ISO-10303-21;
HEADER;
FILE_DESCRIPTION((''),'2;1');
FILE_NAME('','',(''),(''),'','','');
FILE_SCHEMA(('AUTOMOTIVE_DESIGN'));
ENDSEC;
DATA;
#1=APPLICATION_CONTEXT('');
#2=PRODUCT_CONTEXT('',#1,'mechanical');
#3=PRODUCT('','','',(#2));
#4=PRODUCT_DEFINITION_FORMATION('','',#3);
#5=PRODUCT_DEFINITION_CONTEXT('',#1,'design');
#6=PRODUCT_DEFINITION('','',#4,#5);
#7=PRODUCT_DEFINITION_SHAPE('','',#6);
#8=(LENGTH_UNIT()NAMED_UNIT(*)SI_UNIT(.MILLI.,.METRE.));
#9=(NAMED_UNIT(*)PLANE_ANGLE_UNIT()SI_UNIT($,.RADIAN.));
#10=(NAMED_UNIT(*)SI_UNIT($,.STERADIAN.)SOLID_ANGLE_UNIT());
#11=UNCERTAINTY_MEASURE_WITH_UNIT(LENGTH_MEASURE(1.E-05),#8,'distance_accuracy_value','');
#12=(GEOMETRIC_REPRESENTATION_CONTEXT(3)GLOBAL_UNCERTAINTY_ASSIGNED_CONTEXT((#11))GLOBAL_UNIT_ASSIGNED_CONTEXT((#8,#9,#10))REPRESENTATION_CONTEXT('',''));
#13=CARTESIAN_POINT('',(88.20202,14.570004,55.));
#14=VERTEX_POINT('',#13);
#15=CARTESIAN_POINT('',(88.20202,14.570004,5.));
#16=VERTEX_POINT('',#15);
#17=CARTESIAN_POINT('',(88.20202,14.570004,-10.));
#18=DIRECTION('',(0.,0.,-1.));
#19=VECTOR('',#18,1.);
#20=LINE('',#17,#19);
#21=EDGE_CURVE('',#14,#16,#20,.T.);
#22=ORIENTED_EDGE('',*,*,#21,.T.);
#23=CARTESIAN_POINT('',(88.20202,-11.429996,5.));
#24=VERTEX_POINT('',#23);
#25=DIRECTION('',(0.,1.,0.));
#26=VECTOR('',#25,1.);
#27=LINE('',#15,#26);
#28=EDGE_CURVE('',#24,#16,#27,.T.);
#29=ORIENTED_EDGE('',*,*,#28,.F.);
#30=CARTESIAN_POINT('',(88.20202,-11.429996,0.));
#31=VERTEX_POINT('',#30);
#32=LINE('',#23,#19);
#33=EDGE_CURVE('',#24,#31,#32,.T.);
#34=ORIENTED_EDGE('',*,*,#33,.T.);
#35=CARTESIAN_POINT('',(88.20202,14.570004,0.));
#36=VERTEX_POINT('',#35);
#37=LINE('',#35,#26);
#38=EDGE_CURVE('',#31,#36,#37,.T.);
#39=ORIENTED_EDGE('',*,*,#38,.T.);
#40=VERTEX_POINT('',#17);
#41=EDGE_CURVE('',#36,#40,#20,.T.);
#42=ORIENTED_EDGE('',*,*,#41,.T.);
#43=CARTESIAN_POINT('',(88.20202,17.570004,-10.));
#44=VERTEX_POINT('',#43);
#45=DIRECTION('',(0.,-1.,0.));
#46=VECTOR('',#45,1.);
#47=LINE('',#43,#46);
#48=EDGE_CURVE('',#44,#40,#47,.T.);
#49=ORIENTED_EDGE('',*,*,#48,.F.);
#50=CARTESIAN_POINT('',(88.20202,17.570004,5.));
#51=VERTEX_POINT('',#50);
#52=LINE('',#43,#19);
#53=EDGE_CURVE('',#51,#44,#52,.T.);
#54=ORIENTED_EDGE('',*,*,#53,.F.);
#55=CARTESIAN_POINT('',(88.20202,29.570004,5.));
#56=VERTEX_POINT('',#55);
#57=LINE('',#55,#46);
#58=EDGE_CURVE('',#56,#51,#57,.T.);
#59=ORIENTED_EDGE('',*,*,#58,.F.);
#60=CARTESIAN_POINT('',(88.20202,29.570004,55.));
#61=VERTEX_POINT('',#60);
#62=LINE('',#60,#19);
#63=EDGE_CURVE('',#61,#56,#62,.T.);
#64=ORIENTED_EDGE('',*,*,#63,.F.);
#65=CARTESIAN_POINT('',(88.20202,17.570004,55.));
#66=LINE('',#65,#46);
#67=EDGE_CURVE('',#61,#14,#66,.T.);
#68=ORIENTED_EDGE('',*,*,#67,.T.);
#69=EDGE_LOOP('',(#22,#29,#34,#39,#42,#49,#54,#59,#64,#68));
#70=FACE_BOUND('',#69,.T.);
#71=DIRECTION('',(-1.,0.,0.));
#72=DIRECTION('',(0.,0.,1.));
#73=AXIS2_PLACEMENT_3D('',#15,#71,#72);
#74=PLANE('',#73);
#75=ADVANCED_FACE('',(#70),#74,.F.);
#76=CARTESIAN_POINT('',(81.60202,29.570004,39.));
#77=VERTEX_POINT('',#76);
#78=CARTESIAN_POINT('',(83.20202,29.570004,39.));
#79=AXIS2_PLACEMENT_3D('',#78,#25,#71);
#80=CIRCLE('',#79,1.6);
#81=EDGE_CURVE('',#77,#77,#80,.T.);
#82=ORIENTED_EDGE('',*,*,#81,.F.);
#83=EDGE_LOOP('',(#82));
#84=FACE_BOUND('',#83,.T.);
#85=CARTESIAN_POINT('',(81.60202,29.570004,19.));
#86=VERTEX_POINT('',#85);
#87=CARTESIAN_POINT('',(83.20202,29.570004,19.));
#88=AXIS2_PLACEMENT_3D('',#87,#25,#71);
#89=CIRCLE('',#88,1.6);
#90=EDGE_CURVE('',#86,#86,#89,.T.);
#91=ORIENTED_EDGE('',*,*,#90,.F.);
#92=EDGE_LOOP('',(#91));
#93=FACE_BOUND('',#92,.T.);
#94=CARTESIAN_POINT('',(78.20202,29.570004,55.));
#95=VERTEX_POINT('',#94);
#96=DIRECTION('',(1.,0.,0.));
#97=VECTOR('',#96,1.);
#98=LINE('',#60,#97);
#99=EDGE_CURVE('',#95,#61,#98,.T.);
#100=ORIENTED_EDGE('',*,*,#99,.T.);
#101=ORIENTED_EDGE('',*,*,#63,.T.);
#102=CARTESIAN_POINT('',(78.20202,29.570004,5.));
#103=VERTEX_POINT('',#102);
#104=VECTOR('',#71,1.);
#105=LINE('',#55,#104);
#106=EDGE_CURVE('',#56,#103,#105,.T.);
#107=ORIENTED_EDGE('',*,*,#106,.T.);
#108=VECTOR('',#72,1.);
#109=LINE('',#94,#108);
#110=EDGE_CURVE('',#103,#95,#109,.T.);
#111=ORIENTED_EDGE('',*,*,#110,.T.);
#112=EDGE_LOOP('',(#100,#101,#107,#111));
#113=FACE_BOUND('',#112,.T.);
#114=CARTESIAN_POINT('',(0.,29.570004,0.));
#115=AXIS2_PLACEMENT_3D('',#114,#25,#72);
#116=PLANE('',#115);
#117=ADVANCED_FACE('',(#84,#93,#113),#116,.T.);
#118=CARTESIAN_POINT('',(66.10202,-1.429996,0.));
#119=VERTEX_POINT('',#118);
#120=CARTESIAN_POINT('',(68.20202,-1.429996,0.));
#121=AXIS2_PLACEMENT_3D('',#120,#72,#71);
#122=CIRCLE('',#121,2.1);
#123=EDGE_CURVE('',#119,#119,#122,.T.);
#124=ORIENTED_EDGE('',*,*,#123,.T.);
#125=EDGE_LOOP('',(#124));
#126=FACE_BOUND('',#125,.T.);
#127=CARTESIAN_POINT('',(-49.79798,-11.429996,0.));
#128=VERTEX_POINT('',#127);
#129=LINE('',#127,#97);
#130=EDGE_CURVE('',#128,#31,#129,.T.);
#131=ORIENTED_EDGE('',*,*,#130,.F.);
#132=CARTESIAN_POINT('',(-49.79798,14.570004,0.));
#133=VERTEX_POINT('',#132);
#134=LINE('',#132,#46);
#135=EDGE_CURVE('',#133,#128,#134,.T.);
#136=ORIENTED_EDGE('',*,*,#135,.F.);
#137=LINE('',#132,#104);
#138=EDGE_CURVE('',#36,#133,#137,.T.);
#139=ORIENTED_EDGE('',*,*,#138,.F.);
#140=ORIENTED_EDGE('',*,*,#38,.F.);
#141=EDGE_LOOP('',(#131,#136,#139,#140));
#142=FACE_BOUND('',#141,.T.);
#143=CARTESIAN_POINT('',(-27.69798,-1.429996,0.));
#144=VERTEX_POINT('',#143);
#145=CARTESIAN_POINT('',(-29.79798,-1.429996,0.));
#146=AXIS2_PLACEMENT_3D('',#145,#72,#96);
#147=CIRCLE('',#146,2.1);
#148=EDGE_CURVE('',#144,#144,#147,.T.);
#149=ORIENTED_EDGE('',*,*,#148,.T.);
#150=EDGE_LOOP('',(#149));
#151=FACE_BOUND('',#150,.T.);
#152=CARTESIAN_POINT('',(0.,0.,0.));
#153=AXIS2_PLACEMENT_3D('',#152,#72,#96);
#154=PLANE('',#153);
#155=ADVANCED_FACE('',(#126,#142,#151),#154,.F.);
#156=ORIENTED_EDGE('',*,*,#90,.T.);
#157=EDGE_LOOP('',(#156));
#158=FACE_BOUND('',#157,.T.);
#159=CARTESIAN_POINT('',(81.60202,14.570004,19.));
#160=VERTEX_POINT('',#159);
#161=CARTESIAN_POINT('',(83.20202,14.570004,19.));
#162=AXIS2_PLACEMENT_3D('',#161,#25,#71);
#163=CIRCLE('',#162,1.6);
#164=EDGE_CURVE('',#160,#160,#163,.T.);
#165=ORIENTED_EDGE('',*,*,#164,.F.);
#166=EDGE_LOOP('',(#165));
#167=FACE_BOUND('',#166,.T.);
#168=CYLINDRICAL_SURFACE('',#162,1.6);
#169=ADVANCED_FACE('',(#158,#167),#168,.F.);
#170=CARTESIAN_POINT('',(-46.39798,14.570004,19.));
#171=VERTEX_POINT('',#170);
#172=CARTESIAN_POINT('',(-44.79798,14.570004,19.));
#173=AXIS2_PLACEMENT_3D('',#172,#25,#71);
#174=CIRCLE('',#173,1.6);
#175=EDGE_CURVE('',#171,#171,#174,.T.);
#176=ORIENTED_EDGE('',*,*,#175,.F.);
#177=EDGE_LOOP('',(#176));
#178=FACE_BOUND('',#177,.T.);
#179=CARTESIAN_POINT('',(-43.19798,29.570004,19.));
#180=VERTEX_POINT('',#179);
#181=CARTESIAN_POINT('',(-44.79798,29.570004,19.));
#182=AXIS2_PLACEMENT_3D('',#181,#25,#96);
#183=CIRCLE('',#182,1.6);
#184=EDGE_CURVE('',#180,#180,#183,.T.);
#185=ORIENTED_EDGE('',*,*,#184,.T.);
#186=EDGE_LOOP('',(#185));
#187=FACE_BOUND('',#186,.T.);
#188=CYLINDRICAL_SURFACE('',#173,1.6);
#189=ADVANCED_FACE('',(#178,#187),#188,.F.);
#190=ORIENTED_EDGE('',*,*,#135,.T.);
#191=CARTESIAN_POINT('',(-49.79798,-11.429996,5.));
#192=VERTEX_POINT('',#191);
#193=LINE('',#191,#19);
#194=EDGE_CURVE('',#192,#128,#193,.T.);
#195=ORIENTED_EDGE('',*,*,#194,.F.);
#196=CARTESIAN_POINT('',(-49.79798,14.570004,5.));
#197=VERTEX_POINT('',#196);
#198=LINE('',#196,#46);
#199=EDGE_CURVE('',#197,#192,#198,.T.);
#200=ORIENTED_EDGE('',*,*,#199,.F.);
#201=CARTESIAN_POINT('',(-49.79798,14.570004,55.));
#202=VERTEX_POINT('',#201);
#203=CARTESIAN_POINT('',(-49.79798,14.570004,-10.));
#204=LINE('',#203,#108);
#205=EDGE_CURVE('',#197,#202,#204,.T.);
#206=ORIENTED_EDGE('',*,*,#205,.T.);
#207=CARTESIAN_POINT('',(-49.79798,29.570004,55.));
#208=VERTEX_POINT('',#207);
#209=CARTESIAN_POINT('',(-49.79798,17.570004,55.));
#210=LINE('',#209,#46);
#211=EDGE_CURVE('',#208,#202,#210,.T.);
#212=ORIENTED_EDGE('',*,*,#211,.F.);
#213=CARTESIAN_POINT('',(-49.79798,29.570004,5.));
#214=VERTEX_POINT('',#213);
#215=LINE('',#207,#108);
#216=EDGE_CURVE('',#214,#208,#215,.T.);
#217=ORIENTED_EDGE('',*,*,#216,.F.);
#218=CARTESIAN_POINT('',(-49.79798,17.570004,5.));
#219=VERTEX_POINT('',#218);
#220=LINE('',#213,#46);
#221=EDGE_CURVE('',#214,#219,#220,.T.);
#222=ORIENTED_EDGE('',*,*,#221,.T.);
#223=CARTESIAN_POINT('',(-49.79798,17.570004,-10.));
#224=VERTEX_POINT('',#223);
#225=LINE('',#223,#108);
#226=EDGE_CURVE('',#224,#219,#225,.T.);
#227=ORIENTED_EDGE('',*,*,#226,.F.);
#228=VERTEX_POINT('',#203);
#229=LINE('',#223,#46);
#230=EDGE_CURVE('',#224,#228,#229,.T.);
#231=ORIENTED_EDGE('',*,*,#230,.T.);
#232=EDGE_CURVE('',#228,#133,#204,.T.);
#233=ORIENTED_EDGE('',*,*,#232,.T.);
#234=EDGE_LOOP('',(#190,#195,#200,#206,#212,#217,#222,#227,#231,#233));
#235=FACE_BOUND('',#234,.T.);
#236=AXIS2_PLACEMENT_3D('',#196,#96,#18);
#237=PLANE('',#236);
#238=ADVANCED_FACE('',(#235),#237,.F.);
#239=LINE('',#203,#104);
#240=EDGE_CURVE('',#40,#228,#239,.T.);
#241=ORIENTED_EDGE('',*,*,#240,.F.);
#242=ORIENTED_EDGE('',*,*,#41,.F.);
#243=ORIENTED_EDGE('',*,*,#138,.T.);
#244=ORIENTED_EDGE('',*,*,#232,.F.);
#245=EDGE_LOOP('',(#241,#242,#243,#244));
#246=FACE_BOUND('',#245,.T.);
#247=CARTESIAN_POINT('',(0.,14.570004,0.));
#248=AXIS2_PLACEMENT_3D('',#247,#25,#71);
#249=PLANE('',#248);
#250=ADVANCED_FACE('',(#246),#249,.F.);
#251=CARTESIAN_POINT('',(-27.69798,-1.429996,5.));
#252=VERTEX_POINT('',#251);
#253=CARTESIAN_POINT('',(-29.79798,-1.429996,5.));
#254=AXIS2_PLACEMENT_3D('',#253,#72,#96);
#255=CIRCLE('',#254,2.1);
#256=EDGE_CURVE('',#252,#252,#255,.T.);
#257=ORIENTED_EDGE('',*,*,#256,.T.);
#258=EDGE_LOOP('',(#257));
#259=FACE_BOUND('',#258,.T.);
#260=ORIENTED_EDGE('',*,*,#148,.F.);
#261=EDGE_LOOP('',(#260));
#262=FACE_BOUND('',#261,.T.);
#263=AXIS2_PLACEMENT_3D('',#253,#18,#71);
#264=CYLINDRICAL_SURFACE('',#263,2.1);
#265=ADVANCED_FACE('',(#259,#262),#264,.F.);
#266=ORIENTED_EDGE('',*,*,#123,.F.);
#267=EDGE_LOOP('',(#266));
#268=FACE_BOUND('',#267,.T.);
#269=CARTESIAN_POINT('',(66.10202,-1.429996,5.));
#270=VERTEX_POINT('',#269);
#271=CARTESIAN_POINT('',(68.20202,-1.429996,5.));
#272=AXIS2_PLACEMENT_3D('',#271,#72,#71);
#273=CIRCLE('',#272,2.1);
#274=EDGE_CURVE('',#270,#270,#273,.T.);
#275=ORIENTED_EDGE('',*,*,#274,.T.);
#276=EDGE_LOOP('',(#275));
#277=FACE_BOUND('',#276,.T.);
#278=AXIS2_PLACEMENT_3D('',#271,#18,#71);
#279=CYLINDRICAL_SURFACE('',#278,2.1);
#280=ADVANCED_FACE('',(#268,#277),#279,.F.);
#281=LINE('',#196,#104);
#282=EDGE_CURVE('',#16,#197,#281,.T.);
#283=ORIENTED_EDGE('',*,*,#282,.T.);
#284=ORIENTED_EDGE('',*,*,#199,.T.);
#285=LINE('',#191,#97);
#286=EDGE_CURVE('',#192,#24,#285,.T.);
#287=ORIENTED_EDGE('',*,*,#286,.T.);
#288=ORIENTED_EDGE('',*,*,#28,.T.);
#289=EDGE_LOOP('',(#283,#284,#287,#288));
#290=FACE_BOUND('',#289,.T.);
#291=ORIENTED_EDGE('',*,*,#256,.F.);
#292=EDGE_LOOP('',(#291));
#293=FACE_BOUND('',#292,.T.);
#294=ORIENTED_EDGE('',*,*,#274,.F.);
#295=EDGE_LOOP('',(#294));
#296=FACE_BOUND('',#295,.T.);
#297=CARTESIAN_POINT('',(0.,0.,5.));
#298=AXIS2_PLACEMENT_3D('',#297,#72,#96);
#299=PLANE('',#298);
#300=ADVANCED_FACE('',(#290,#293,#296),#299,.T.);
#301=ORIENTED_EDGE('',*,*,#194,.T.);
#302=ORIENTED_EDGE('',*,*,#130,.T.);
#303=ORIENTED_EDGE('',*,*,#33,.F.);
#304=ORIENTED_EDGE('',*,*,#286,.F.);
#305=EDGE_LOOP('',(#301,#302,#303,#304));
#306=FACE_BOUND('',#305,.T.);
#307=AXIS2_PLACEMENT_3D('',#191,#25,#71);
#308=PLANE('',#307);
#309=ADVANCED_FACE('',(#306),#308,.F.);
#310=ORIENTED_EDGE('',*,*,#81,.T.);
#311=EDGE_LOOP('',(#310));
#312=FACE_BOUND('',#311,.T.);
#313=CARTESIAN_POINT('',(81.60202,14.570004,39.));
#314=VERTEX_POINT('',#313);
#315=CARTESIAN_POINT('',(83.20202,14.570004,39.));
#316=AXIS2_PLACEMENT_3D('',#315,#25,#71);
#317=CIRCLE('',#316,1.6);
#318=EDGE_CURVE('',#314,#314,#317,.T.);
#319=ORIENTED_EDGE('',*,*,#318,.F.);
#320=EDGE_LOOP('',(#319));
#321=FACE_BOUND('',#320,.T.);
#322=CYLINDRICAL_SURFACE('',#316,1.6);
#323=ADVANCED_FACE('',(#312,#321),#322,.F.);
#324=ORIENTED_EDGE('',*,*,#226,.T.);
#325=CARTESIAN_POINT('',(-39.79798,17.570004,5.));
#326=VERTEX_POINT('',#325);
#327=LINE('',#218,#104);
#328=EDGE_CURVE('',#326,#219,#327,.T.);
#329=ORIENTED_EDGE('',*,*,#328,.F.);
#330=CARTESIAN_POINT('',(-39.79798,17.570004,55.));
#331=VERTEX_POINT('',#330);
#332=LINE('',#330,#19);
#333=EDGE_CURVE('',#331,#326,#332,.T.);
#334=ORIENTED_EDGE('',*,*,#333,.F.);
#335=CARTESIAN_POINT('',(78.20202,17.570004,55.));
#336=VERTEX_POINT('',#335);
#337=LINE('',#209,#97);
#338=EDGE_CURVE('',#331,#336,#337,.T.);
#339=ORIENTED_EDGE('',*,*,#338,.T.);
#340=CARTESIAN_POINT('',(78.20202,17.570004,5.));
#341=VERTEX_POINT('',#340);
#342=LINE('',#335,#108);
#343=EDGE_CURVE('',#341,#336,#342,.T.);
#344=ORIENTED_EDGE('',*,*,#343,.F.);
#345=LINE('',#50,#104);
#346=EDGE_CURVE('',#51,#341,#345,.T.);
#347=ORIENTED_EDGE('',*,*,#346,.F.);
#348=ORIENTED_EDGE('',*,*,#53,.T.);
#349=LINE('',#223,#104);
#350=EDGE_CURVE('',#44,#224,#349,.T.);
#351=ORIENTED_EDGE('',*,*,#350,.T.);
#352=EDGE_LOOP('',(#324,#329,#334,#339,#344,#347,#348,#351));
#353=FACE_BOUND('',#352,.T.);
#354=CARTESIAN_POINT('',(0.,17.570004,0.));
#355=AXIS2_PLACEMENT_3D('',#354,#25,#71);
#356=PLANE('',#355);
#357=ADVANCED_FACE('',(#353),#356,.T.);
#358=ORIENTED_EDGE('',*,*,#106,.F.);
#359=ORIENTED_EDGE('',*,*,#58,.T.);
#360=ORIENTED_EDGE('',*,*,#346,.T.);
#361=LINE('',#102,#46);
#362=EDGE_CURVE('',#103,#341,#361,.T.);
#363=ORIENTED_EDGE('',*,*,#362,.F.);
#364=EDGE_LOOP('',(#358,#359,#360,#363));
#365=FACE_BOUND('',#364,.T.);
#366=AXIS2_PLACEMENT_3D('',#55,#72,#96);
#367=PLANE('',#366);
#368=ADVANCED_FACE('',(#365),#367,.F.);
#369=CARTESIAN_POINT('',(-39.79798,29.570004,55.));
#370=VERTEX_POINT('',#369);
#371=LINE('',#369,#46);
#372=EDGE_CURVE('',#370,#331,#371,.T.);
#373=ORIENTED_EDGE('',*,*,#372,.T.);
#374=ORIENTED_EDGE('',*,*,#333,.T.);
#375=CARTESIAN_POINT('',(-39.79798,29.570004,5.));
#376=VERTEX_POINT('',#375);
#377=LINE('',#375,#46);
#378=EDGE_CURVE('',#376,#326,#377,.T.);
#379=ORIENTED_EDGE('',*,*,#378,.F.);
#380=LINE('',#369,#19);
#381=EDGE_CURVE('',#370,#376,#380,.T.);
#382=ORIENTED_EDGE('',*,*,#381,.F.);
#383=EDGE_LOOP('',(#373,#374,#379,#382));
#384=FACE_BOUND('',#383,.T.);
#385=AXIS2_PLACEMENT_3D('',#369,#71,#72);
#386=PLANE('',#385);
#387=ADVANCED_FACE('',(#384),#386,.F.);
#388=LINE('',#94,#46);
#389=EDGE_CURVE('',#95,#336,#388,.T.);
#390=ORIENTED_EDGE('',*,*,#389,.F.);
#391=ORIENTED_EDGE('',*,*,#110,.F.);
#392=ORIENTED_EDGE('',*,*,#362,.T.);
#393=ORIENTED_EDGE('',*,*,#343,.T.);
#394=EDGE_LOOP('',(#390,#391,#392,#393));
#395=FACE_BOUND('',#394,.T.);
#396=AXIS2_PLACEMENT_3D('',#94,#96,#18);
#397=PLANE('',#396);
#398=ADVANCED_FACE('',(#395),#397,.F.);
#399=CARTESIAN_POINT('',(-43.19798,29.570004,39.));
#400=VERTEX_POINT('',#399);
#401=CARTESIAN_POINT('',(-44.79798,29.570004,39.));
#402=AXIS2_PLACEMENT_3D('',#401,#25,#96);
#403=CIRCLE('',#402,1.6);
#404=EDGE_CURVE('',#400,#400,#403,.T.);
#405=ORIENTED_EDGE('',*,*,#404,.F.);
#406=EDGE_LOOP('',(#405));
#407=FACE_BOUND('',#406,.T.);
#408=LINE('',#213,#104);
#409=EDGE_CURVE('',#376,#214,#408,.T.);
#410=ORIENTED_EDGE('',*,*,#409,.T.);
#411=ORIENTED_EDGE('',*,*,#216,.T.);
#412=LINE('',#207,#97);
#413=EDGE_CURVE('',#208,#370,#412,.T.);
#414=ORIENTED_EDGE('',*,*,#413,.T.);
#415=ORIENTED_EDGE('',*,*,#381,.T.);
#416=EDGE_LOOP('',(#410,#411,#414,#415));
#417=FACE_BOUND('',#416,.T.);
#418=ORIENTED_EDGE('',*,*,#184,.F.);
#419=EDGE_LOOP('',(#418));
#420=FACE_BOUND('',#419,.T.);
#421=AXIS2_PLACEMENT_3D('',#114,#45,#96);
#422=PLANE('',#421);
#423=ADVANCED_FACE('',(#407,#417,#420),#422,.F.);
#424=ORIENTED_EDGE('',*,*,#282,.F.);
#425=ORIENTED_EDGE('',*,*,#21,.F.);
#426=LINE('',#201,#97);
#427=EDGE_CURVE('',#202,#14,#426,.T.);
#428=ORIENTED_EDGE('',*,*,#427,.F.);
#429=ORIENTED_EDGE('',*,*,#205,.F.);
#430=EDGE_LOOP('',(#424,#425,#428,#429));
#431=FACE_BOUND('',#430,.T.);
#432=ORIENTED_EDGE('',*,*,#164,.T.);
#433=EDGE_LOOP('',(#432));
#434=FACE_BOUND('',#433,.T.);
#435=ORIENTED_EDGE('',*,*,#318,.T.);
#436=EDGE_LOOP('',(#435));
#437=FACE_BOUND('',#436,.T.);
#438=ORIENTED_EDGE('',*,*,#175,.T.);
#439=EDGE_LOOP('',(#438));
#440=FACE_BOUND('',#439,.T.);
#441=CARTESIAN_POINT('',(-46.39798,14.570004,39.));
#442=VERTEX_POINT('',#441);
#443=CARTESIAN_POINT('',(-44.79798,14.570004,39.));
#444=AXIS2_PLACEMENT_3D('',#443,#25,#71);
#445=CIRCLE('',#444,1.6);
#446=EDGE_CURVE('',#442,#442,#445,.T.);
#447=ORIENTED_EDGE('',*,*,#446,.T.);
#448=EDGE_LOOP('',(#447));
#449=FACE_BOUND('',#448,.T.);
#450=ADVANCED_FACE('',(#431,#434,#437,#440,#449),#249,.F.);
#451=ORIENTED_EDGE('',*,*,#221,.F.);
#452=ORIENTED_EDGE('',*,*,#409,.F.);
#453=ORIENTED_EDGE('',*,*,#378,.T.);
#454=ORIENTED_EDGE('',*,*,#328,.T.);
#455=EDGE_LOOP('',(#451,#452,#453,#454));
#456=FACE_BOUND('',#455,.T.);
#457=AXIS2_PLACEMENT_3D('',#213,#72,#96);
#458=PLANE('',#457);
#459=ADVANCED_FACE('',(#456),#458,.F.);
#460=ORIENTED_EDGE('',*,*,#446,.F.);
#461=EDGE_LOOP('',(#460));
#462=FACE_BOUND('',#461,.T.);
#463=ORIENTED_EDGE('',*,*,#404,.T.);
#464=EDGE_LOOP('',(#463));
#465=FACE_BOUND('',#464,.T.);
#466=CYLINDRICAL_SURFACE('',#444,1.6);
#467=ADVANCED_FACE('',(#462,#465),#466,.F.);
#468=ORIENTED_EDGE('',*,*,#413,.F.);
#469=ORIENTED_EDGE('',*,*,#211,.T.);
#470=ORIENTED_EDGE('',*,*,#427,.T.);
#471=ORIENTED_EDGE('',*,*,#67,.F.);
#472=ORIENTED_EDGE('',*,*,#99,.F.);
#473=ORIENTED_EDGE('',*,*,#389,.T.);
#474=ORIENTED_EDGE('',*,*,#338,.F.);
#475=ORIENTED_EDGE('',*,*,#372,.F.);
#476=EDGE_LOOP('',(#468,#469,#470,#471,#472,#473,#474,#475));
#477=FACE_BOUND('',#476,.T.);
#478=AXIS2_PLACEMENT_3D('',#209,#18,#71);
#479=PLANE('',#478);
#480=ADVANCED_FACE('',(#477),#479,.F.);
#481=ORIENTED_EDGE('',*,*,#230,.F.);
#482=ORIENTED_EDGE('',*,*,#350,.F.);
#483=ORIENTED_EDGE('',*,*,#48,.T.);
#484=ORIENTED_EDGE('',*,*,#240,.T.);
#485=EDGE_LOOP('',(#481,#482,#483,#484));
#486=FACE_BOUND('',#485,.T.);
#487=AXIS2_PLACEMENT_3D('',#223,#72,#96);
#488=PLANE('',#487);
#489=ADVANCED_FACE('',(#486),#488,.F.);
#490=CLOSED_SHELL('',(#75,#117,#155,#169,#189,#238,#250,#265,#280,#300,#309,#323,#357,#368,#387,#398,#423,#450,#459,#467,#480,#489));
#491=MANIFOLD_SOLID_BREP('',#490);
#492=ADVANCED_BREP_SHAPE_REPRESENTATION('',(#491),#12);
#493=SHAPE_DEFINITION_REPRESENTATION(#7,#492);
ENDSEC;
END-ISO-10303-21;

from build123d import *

# Parameters (mm, degrees)
SKETCH_1_W          = 138
SKETCH_1_H          = 26
SKETCH_1_R          = 2.1
EXTRUDE_1_DEPTH     = 5
SKETCH_2_W          = 138
SKETCH_2_H          = 65
EXTRUDE_2_DEPTH     = 3
SKETCH_3_R          = 1.6
CUT_EXTRUDE_1_DEPTH = 3
SKETCH_4_W          = 10
SKETCH_4_H          = 50
SKETCH_4_R          = 1.6
EXTRUDE_3_DEPTH     = 12


with BuildPart() as part:
    # 草图1 → 凸台-拉伸1 (new body)
    with BuildSketch(Plane.XY):
        with Locations((19.202020202, 1.570004208)):
            Rectangle(SKETCH_1_W, SKETCH_1_H)
        with Locations((-29.797979798, -1.429995792)):
            Circle(SKETCH_1_R, mode=Mode.SUBTRACT)
        with Locations((68.202020202, -1.429995792)):
            Circle(SKETCH_1_R, mode=Mode.SUBTRACT)
    extrude(amount=EXTRUDE_1_DEPTH)

    # 草图2 → 凸台-拉伸2 (add)
    with BuildSketch(Plane(origin=(0, 14.570004208, 0), x_dir=(1, 0, 0), z_dir=(0, 1, 0))):
        with Locations((19.202020202, -22.5)):
            Rectangle(SKETCH_2_W, SKETCH_2_H)
    extrude(amount=EXTRUDE_2_DEPTH)

    # 草图3 → 切除-拉伸1 (cut)
    with BuildSketch(Plane(origin=(0, 17.570004208, 0), x_dir=(1, 0, 0), z_dir=(0, 1, 0))):
        with Locations((-44.797979798, -19)):
            Circle(SKETCH_3_R)
        with Locations((-44.797979798, -39)):
            Circle(SKETCH_3_R)
        with Locations((83.202020202, -19)):
            Circle(SKETCH_3_R)
        with Locations((83.202020202, -39)):
            Circle(SKETCH_3_R)
    extrude(amount=-CUT_EXTRUDE_1_DEPTH, mode=Mode.SUBTRACT)

    # 草图4 → 凸台-拉伸3 (add)
    with BuildSketch(Plane(origin=(0, 17.570004208, 0), x_dir=(1, 0, 0), z_dir=(0, 1, 0))):
        with Locations((83.202020202, -30)):
            Rectangle(SKETCH_4_W, SKETCH_4_H)
        with Locations((83.202020202, -19)):
            Circle(SKETCH_4_R, mode=Mode.SUBTRACT)
        with Locations((83.202020202, -39)):
            Circle(SKETCH_4_R, mode=Mode.SUBTRACT)
        with Locations((-44.797979798, -30)):
            Rectangle(SKETCH_4_W, SKETCH_4_H)
        with Locations((-44.797979798, -39)):
            Circle(SKETCH_4_R, mode=Mode.SUBTRACT)
        with Locations((-44.797979798, -19)):
            Circle(SKETCH_4_R, mode=Mode.SUBTRACT)
    extrude(amount=EXTRUDE_3_DEPTH)


solid = part.part
